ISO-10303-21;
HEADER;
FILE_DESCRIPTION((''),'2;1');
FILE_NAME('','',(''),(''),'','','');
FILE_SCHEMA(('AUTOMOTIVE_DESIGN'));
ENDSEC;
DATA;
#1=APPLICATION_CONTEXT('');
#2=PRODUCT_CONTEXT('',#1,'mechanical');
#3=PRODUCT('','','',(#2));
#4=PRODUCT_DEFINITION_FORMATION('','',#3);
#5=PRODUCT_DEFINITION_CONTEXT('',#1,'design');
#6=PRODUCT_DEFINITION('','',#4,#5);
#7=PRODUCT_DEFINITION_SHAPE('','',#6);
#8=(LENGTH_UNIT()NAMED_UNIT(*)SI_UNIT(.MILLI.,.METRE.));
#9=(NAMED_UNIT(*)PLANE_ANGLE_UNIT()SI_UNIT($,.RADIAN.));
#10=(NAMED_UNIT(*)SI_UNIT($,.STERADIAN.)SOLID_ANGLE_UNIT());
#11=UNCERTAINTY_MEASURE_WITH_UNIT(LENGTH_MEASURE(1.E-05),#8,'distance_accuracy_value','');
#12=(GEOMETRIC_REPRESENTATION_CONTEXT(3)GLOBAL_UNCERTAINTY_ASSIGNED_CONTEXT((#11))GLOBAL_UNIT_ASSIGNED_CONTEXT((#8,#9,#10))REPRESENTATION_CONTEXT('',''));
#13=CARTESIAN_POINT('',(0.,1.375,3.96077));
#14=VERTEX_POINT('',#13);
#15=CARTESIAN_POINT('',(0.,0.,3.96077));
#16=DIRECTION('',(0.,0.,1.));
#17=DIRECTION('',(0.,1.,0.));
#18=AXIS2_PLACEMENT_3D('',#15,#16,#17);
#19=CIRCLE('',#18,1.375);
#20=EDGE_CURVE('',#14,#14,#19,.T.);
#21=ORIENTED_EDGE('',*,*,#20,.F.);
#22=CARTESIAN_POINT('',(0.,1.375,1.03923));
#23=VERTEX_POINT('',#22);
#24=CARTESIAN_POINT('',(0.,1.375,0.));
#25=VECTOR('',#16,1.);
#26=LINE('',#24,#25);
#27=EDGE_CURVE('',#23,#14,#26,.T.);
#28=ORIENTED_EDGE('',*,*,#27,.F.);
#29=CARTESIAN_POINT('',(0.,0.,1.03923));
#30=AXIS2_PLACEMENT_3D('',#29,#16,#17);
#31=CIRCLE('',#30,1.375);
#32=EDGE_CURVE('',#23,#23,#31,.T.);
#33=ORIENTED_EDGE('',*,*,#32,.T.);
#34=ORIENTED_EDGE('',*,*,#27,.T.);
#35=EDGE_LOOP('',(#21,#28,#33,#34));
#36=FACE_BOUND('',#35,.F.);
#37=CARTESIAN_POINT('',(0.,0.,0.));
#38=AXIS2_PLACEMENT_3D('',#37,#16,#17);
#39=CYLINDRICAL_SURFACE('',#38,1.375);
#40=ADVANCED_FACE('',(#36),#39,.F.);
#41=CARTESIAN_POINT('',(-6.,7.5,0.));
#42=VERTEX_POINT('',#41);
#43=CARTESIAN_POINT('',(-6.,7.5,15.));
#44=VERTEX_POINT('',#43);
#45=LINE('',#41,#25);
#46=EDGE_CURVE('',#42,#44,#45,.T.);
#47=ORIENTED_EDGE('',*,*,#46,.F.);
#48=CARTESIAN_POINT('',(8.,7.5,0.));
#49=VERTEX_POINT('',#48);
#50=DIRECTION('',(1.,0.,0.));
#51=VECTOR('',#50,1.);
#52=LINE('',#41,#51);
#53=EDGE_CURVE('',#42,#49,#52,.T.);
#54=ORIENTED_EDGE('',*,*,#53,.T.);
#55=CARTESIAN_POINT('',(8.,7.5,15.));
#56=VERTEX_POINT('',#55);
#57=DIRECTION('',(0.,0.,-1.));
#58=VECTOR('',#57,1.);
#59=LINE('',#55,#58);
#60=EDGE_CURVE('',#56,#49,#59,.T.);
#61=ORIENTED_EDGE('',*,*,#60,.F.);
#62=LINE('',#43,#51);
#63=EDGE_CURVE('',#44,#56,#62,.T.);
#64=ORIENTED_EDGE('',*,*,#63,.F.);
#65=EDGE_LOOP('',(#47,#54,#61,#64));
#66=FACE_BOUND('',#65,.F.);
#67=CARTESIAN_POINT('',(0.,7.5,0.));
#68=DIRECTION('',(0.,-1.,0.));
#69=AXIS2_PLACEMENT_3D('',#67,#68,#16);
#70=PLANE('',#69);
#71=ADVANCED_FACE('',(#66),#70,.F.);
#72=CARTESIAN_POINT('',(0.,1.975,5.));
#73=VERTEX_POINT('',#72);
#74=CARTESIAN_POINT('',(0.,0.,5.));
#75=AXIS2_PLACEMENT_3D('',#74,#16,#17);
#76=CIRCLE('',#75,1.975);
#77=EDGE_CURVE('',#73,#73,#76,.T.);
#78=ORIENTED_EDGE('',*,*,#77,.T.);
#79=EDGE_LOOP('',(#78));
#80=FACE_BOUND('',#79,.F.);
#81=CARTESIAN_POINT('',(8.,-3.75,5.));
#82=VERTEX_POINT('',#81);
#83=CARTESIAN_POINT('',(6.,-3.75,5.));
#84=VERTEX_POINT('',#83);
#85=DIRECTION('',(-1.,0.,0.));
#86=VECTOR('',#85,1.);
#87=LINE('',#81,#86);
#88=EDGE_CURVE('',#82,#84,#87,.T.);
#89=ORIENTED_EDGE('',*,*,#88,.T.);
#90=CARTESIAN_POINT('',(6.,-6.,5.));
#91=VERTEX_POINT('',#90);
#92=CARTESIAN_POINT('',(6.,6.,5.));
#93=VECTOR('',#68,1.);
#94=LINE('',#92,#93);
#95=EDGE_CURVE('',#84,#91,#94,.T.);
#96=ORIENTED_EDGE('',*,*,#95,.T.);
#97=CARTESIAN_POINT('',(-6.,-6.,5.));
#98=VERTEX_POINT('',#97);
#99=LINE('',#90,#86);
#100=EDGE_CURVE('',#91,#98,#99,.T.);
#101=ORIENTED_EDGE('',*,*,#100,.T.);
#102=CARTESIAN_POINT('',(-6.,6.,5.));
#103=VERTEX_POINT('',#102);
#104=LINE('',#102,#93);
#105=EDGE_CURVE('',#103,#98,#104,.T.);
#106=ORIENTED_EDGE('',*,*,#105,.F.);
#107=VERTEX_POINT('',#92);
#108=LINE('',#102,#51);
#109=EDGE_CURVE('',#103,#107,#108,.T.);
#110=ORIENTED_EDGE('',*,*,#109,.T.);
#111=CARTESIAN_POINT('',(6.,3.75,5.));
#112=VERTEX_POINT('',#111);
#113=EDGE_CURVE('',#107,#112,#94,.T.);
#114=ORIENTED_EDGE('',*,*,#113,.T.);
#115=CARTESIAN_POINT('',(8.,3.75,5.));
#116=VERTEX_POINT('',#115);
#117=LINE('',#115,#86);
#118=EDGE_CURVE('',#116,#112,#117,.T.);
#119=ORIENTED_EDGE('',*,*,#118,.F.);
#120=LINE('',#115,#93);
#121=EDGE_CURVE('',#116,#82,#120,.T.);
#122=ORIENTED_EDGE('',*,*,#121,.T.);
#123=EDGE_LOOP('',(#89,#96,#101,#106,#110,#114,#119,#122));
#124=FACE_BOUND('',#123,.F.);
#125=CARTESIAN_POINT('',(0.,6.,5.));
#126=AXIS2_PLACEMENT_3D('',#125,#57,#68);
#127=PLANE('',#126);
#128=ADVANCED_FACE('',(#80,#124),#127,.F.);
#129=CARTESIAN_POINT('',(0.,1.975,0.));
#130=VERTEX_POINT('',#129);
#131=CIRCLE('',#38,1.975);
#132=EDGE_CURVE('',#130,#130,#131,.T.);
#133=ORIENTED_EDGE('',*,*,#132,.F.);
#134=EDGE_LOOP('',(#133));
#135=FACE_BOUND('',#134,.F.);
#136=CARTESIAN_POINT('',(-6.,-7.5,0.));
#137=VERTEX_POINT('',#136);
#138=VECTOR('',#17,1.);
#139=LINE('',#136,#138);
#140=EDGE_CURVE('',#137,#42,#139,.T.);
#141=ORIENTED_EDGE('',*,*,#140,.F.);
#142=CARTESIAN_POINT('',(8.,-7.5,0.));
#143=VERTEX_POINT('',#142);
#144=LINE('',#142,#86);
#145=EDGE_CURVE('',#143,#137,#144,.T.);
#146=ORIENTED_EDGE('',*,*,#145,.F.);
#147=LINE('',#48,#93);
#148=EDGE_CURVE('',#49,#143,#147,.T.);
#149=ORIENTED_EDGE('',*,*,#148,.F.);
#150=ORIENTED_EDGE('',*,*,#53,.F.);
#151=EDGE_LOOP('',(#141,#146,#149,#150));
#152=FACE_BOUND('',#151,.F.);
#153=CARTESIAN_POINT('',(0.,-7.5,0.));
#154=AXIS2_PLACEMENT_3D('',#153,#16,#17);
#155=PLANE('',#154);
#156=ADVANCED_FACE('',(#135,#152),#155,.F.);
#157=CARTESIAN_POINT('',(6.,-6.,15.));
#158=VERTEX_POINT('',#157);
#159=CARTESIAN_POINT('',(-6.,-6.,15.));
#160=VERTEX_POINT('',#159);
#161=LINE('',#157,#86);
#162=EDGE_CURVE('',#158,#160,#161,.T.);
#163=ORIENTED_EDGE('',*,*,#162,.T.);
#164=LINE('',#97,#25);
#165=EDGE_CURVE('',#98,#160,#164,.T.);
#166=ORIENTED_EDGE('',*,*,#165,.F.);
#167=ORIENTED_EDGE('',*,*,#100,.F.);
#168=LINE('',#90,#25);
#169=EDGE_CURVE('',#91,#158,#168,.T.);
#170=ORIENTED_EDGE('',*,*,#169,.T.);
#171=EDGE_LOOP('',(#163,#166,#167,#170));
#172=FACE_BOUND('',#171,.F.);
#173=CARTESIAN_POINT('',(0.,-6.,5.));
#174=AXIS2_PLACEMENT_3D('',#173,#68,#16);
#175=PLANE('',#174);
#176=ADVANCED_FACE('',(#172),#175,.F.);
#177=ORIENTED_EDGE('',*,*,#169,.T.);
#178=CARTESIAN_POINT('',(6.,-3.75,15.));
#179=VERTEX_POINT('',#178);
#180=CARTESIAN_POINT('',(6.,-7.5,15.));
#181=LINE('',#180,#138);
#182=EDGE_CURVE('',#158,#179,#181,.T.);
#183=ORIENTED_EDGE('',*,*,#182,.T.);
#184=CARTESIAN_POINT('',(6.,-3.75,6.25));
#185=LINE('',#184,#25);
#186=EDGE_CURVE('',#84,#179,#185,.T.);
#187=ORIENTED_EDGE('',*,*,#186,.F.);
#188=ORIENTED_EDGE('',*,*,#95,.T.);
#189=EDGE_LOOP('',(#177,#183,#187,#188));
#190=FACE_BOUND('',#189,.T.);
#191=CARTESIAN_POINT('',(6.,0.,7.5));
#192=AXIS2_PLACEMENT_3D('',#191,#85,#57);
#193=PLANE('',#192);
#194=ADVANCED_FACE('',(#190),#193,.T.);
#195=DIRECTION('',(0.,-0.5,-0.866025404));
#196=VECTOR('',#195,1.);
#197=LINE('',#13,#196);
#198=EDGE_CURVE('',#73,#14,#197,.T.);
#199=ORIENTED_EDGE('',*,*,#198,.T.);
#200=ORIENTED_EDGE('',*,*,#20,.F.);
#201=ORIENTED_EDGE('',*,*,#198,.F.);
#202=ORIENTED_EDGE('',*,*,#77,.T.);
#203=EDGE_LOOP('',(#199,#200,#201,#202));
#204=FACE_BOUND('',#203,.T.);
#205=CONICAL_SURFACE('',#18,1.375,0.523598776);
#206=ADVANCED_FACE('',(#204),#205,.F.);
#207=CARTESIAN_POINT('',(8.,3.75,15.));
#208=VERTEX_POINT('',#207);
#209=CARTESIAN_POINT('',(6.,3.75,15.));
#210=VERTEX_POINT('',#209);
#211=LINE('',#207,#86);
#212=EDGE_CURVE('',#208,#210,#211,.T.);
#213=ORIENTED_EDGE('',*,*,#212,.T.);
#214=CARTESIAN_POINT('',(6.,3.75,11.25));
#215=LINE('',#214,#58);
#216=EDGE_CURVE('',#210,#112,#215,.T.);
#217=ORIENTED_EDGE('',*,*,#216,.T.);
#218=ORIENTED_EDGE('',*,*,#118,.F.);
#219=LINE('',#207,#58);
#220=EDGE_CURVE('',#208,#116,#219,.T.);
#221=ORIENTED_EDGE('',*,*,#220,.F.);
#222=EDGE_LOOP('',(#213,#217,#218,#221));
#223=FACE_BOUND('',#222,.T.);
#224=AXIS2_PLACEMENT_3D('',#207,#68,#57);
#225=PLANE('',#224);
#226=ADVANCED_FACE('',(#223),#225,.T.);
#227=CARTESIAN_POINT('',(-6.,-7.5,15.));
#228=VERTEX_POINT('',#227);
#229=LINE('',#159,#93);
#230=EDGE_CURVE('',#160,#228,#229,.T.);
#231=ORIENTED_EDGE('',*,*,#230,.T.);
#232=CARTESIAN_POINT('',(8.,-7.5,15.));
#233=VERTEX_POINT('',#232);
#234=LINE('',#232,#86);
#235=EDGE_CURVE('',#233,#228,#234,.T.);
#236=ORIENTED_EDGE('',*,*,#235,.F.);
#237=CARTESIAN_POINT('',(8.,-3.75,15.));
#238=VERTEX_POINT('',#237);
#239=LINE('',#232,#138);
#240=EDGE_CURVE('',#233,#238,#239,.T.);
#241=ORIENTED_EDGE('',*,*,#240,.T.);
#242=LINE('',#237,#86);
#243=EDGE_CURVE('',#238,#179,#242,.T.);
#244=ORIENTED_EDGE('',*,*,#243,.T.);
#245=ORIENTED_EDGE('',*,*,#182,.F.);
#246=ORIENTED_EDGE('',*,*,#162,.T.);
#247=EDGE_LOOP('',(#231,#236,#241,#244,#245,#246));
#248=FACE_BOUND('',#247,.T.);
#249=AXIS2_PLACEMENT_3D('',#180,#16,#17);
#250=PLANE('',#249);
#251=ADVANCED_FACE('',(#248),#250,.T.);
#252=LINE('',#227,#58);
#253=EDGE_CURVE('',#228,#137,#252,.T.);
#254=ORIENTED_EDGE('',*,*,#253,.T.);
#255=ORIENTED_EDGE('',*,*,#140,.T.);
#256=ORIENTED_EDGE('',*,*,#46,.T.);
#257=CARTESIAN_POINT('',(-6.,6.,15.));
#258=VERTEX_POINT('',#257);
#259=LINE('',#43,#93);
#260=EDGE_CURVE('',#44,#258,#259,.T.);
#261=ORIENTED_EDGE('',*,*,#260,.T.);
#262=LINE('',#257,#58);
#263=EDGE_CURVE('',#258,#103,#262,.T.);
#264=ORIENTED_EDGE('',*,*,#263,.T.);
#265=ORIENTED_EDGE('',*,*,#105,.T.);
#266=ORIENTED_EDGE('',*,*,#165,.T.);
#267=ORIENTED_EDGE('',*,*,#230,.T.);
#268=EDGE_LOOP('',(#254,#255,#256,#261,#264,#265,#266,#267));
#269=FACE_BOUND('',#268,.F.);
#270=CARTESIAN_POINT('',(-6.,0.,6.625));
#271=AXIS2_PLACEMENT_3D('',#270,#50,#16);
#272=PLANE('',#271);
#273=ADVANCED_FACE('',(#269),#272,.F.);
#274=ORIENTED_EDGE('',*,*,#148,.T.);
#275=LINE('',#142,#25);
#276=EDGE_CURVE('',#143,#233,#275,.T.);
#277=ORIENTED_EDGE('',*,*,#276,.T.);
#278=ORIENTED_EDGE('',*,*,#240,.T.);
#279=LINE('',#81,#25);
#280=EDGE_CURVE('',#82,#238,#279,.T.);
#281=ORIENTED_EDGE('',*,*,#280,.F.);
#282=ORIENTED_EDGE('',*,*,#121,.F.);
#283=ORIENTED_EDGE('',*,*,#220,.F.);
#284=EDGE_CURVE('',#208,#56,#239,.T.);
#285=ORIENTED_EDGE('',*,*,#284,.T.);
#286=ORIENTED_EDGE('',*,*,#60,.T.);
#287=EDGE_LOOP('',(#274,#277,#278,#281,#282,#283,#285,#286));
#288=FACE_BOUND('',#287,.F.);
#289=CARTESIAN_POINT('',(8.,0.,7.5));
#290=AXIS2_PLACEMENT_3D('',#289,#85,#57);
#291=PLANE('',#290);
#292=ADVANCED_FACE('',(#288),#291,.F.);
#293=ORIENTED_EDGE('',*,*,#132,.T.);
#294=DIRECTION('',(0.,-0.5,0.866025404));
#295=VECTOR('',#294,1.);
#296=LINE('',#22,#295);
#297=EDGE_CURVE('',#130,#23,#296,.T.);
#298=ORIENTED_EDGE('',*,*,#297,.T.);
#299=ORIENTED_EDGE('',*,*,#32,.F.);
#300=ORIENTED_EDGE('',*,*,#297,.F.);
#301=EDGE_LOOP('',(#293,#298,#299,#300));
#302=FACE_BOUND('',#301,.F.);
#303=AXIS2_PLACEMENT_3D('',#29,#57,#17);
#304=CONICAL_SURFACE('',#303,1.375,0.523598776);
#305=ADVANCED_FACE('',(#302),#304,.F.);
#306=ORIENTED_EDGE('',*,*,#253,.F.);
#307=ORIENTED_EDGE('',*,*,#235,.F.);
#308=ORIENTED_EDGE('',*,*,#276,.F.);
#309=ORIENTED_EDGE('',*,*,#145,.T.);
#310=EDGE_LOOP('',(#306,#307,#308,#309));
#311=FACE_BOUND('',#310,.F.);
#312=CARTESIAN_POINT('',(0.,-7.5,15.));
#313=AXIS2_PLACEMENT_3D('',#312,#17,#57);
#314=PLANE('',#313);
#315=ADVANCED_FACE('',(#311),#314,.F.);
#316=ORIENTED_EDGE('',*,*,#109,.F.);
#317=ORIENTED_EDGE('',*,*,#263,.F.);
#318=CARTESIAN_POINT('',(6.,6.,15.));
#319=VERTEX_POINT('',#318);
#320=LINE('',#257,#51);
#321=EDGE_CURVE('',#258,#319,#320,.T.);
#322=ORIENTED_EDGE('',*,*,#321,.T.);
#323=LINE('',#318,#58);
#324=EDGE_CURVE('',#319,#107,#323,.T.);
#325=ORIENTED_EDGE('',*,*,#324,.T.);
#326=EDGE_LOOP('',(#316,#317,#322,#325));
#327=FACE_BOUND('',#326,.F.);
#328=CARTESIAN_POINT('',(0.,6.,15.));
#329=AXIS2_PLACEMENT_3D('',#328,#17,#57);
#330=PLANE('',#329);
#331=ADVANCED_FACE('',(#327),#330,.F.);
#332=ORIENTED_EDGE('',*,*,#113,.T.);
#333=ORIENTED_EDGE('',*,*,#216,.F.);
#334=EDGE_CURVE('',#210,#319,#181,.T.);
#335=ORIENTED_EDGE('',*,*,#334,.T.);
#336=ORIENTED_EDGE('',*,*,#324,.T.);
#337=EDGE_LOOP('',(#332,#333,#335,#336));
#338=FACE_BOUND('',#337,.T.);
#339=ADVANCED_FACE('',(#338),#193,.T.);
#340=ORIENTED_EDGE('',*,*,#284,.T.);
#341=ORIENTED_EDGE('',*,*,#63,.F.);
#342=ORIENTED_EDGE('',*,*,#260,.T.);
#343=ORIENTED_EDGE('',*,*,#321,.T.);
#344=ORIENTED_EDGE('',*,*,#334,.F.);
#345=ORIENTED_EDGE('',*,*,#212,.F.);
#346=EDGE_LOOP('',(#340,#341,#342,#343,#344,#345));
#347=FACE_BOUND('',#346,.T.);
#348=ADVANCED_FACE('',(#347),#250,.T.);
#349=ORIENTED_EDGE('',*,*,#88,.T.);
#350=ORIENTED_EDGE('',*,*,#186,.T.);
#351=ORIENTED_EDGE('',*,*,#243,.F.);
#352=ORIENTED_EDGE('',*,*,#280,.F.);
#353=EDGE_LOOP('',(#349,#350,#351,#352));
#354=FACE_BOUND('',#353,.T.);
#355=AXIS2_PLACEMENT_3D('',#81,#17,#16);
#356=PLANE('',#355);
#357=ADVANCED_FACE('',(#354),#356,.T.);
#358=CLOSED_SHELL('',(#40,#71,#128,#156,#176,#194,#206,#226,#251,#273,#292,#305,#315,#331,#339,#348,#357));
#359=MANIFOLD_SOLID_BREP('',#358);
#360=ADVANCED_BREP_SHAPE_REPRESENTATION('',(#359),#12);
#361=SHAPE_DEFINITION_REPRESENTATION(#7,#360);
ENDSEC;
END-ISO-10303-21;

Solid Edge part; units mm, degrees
sketch "Sketch1" plane through (0, 0, 0) normal (1, 0, 0) x (0, 1, 0)
  line L0 (-7.5, 15) -> (-7.5, 0)
  line L1 (-7.5, 0) -> (7.5, 0)
  line L2 (7.5, 0) -> (7.5, 15)
  line L3 (7.5, 15) -> (6, 15)
  line L4 (6, 15) -> (6, 5)
  line L5 (6, 5) -> (-6, 5)
  line L6 (-6, 5) -> (-6, 15)
  line L7 (-6, 15) -> (-7.5, 15)
  dimension "D1" = 15
  dimension "D2" = 12
  dimension "D3" = 15
  dimension "D4" = 10
extrude "Protrusion1" add sketch "Sketch1" along normal mid plane 12
hole "hole" at (0, 0, 0) direction (0, 0, 1) diameter 2.75 depth 30 tip angle 118 start chamfer 0.6 start chamfer angle 30 end chamfer 0.6 end chamfer angle 30
sketch "Sketch2" plane through (6, 0, 7.5) normal (1, 0, 0) x (0, 0, 1)
  line L0 (-7.5, 7.5) -> (7.5, 7.5)
  line L1 (7.5, 7.5) -> (7.5, -7.5)
  line L2 (7.5, -7.5) -> (-7.5, -7.5)
  line L3 (-7.5, -7.5) -> (-7.5, 7.5)
extrude "wall" add sketch "Sketch2" along normal blind 2
sketch "Sketch3" plane through (8, 0, 7.5) normal (1, 0, 0) x (0, -1, 0)
  line L0 (-3.75, -7.5) -> (3.75, -7.5)
  line L1 (3.75, 2.5) -> (3.75, -7.5)
  line L2 (-3.75, 2.5) -> (3.75, 2.5)
  line L3 (-3.75, -7.5) -> (-3.75, 2.5)
  dimension "D1" = 7.5
  dimension "D2" = 10
extrude "Cutout1" cut sketch "Sketch3" against normal up to next
properties material "Polyethylene, low density"
